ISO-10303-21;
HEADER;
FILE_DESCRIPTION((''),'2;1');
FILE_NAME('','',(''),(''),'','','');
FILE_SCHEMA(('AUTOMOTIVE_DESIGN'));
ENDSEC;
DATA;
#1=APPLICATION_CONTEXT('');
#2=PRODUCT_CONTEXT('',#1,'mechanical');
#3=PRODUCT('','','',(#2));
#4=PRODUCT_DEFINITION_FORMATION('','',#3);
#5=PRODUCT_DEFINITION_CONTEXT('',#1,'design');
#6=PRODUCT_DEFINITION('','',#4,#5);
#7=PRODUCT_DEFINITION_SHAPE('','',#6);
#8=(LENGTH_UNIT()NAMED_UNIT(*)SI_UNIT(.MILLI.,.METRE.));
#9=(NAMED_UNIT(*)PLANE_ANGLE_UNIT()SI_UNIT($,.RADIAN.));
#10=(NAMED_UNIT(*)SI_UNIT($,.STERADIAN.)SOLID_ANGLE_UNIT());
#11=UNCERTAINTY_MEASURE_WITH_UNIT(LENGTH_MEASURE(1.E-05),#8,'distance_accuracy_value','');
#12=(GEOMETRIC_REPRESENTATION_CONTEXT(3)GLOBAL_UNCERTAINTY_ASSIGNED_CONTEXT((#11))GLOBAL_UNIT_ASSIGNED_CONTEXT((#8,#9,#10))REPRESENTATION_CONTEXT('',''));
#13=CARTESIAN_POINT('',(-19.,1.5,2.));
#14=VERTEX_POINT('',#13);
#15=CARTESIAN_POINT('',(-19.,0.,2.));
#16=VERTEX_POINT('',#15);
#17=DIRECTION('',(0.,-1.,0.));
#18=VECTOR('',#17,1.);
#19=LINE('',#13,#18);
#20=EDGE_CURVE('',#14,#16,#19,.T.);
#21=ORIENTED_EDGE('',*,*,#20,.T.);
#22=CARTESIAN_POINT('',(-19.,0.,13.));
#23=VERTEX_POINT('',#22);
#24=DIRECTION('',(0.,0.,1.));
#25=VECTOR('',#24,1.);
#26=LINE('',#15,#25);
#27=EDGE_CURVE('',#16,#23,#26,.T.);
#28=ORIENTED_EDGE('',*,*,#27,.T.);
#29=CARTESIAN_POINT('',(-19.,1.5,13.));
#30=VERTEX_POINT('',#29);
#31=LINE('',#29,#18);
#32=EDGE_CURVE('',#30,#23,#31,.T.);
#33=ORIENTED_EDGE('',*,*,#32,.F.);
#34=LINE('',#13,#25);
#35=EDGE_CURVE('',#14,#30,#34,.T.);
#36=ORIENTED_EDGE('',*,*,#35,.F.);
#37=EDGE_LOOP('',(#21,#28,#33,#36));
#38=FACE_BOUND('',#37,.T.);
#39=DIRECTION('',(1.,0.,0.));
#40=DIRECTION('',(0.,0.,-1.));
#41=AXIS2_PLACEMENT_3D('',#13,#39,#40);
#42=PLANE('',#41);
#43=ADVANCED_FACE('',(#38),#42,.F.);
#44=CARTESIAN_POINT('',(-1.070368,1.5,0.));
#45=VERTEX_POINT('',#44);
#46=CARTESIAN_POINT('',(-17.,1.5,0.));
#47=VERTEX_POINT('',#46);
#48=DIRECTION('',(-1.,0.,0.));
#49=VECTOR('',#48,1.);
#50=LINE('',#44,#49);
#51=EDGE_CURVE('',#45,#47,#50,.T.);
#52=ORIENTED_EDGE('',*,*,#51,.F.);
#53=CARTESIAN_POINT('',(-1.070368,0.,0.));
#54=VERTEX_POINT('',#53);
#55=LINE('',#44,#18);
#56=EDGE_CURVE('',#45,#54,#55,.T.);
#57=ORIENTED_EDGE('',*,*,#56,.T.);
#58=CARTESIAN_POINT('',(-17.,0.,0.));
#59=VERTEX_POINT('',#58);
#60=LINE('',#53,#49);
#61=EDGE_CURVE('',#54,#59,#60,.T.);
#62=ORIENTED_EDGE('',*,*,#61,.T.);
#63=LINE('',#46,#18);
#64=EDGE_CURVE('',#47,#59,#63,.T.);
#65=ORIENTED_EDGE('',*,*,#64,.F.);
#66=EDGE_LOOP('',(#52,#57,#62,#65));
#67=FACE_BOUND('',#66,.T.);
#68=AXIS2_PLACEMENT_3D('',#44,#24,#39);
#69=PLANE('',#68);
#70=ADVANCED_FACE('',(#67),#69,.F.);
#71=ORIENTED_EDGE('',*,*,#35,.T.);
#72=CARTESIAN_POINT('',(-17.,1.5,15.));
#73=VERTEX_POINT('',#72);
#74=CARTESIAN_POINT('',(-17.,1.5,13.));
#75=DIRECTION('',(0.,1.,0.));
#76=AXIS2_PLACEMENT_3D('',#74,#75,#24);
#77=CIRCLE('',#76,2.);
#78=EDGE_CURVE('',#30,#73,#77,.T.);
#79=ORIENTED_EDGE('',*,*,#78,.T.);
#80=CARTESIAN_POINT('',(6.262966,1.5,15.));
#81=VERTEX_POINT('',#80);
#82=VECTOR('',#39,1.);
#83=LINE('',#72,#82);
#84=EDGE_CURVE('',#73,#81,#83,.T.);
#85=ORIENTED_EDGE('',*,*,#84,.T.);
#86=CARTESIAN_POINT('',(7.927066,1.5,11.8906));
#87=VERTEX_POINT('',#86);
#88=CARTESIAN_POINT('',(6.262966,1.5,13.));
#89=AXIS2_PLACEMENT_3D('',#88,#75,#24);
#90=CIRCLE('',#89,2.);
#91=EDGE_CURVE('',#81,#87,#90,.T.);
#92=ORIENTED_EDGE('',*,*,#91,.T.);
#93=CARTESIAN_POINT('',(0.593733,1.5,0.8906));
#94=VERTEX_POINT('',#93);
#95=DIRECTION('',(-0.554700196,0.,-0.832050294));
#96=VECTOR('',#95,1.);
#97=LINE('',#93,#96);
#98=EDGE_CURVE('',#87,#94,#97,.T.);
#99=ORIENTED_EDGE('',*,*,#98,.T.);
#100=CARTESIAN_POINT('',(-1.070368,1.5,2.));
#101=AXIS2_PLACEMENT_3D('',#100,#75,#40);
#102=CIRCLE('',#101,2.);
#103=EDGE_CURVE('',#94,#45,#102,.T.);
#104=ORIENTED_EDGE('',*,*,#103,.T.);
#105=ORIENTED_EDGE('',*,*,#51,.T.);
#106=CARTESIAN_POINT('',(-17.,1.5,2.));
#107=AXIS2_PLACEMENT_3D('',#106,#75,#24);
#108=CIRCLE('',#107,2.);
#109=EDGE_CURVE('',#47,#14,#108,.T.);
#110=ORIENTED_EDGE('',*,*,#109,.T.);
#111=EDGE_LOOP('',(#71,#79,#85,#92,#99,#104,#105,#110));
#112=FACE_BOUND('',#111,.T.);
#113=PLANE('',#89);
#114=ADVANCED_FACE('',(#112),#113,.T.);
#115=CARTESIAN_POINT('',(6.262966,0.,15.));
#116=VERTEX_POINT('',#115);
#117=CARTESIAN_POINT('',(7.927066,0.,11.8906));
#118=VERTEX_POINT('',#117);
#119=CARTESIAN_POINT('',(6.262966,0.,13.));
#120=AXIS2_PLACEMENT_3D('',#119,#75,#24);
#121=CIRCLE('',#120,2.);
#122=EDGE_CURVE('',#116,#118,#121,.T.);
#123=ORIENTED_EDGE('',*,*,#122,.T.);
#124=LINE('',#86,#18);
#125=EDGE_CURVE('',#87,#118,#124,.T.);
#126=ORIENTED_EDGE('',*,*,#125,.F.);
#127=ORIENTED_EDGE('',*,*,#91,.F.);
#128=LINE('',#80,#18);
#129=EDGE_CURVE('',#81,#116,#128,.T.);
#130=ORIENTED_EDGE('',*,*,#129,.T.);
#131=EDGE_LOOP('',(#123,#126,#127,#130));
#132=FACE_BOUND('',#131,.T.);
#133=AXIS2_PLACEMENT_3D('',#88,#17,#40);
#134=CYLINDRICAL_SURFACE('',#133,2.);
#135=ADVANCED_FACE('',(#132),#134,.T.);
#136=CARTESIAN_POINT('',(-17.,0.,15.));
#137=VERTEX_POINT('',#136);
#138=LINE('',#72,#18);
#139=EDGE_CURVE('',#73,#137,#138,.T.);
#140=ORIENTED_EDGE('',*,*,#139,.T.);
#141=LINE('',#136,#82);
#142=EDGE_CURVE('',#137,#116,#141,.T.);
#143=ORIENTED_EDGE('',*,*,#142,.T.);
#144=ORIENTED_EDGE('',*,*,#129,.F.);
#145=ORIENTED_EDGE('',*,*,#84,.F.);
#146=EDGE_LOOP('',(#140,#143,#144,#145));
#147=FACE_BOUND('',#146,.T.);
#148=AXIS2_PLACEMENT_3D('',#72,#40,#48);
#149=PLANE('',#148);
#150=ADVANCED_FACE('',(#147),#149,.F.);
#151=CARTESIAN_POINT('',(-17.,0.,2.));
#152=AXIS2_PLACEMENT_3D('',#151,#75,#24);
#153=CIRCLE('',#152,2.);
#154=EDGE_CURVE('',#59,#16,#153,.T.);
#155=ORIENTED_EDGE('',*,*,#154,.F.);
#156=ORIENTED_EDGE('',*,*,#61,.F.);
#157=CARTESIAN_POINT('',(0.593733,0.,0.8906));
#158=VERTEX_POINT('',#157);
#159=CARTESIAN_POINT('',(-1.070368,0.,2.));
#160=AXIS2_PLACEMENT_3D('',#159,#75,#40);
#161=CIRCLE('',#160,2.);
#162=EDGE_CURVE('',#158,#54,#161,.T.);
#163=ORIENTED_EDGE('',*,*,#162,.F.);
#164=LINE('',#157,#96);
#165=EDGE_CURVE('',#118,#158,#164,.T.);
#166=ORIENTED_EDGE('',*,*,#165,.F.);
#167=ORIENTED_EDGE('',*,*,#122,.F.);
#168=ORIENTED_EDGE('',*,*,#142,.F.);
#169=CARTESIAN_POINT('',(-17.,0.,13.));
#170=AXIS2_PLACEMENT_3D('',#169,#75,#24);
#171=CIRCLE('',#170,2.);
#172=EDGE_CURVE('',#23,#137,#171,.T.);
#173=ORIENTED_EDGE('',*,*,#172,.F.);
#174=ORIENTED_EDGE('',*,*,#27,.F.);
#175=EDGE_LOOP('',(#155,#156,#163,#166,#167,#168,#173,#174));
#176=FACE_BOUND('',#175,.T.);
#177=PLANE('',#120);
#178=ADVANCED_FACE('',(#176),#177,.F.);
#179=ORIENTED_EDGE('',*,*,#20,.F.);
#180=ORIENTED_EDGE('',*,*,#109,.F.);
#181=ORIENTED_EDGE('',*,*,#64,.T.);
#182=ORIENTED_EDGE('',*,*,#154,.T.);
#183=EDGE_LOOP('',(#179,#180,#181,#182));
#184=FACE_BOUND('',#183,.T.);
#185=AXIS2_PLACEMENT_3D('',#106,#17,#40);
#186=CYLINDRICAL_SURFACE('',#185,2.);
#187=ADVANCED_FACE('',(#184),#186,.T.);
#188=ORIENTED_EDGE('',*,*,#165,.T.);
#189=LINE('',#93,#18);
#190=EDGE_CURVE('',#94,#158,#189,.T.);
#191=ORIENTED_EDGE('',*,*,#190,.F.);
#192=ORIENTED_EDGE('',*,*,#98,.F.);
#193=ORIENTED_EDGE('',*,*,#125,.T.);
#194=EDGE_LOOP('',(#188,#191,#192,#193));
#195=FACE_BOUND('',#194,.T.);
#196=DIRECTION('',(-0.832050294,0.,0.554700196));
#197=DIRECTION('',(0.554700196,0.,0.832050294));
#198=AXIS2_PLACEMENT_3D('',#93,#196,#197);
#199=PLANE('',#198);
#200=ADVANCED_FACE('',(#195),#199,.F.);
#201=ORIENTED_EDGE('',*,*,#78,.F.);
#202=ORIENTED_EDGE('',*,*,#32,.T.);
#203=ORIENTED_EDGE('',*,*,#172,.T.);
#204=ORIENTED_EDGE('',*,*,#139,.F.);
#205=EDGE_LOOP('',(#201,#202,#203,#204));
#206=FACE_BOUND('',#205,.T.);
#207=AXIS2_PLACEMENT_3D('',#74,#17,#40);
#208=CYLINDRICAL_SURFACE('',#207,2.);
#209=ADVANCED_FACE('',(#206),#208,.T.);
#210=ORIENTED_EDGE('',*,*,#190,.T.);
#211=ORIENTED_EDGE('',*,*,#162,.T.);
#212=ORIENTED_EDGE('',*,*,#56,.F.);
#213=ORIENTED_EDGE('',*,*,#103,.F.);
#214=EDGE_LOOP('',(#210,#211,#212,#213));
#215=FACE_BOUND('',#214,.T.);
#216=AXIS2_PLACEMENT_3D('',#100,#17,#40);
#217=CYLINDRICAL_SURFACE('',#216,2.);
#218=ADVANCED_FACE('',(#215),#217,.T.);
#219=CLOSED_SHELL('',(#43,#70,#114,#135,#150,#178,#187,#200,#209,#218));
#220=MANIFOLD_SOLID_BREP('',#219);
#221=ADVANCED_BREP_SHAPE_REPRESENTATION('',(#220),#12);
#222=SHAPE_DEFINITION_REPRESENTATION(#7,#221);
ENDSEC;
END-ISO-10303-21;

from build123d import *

# Parameters (mm, degrees)
EXTRUDE_1_DEPTH = 1.5


with BuildPart() as part:
    # 草图1 → 凸台-拉伸1 (new body)
    with BuildSketch(Plane(origin=(0, 0, 0), x_dir=(1, 0, 0), z_dir=(0, 1, 0))):
        with BuildLine():
            Line((-1.070367517, 0), (-17, 0))
            ThreePointArc((-17, 0), (-18.414213562, -0.585786438), (-19, -2))
            Line((-19, -2), (-19, -13))
            ThreePointArc((-19, -13), (-18.414213562, -14.414213562), (-17, -15))
            Line((-17, -15), (6.262965816, -15))
            ThreePointArc((6.262965816, -15), (8.026315014, -13.943715851), (7.927066405, -11.890599608))
            Line((7.927066405, -11.890599608), (0.593733072, -0.890599608))
            ThreePointArc((0.593733072, -0.890599608), (-0.126651666, -0.236650802), (-1.070367517, 0))
        make_face()
    extrude(amount=EXTRUDE_1_DEPTH)


solid = part.part
